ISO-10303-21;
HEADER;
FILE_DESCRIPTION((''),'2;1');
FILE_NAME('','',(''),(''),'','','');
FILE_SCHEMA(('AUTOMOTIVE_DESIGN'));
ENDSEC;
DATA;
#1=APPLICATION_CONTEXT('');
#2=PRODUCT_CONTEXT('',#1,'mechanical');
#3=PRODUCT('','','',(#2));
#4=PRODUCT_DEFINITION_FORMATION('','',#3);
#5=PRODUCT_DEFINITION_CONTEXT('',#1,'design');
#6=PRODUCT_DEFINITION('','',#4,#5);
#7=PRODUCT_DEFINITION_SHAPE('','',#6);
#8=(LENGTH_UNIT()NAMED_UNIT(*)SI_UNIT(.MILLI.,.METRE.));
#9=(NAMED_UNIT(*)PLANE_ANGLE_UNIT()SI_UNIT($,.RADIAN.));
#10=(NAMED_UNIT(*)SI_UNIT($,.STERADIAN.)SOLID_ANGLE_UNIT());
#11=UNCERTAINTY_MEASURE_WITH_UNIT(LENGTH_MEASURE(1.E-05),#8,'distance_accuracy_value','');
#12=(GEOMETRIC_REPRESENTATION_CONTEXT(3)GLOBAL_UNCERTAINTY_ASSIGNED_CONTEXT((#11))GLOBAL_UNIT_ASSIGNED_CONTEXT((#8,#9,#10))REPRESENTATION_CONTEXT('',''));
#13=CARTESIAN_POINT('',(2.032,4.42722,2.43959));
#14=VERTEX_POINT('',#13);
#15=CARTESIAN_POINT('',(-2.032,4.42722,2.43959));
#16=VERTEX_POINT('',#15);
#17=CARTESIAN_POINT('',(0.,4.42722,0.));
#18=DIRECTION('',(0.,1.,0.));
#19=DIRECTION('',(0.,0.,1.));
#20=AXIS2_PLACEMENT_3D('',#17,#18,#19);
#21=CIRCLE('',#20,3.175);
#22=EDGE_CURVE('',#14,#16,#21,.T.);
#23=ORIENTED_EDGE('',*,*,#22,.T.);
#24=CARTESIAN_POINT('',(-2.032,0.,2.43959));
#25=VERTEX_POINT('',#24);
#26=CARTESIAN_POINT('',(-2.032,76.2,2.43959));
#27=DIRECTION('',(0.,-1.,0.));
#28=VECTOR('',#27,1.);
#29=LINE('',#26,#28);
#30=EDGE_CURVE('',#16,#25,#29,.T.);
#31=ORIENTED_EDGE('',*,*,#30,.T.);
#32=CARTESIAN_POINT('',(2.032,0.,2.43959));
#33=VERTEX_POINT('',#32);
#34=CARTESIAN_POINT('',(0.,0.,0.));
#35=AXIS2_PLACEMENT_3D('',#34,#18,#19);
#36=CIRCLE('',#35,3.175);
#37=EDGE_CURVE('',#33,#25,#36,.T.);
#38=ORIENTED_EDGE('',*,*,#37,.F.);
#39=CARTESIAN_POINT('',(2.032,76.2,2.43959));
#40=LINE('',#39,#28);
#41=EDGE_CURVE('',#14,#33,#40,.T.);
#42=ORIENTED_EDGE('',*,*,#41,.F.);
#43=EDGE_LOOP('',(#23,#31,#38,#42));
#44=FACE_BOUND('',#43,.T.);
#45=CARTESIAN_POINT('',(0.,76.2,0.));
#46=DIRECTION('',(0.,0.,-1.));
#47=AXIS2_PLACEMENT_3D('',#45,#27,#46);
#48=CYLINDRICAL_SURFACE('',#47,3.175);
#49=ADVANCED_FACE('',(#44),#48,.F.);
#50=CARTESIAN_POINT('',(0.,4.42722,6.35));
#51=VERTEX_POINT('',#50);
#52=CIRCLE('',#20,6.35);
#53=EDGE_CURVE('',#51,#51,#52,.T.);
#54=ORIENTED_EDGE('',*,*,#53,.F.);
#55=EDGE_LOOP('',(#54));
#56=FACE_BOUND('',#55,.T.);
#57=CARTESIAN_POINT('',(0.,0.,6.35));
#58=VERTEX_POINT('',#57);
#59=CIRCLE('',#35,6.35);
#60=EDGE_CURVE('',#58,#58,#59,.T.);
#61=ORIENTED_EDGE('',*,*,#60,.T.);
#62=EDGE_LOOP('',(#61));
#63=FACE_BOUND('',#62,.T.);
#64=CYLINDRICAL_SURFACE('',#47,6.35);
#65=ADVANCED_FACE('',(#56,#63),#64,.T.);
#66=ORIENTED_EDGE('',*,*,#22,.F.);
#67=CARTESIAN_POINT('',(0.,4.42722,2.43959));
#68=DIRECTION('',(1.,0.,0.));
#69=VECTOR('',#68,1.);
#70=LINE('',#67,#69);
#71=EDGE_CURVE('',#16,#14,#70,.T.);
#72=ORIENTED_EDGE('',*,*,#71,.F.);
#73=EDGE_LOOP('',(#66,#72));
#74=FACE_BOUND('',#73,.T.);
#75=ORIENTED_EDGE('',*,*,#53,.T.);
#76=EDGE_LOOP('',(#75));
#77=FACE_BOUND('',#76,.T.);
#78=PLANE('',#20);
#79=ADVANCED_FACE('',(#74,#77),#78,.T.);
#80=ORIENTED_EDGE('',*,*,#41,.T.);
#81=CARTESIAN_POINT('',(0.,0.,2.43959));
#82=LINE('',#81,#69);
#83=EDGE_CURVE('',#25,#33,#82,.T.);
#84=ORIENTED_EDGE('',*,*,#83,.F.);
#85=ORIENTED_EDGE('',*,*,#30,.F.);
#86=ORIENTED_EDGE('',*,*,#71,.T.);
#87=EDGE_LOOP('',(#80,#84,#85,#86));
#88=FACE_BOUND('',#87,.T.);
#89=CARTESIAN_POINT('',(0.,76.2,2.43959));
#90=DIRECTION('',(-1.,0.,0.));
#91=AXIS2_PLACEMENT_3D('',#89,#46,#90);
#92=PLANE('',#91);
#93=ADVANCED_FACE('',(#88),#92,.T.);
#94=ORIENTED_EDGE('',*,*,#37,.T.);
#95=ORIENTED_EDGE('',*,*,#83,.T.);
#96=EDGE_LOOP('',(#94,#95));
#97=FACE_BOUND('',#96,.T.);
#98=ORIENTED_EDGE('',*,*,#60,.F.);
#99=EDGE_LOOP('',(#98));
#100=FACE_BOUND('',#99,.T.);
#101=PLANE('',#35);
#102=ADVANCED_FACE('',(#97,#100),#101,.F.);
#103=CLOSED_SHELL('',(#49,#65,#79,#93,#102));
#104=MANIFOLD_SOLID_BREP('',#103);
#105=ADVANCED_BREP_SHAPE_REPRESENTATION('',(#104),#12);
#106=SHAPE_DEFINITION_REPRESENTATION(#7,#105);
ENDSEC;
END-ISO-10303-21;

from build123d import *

# Parameters (mm, degrees)
SKETCH1_R           = 6.35
BOSS_EXTRUDE1_DEPTH = 76.2
SKETCH2_R           = 6.35
CUT_EXTRUDE1_DEPTH  = 71.77278


with BuildPart() as part:
    # Sketch1 → Boss-Extrude1 (new body)
    with BuildSketch(Plane(origin=(0, 0, 0), x_dir=(1, 0, 0), z_dir=(0, 1, 0))):
        Circle(SKETCH1_R)
        with BuildLine():
            Line((2.032, -2.439590334), (-2.032, -2.439590334))
            ThreePointArc((-2.032, -2.439590334), (0, 3.175), (2.032, -2.439590334))
        make_face(mode=Mode.SUBTRACT)
    extrude(amount=BOSS_EXTRUDE1_DEPTH)

    # Sketch2 → Cut-Extrude1 (cut)
    with BuildSketch(Plane(origin=(0, 76.2, 0), x_dir=(1, 0, 0), z_dir=(0, 1, 0))):
        Circle(SKETCH2_R)
    extrude(amount=-CUT_EXTRUDE1_DEPTH, mode=Mode.SUBTRACT)


solid = part.part
